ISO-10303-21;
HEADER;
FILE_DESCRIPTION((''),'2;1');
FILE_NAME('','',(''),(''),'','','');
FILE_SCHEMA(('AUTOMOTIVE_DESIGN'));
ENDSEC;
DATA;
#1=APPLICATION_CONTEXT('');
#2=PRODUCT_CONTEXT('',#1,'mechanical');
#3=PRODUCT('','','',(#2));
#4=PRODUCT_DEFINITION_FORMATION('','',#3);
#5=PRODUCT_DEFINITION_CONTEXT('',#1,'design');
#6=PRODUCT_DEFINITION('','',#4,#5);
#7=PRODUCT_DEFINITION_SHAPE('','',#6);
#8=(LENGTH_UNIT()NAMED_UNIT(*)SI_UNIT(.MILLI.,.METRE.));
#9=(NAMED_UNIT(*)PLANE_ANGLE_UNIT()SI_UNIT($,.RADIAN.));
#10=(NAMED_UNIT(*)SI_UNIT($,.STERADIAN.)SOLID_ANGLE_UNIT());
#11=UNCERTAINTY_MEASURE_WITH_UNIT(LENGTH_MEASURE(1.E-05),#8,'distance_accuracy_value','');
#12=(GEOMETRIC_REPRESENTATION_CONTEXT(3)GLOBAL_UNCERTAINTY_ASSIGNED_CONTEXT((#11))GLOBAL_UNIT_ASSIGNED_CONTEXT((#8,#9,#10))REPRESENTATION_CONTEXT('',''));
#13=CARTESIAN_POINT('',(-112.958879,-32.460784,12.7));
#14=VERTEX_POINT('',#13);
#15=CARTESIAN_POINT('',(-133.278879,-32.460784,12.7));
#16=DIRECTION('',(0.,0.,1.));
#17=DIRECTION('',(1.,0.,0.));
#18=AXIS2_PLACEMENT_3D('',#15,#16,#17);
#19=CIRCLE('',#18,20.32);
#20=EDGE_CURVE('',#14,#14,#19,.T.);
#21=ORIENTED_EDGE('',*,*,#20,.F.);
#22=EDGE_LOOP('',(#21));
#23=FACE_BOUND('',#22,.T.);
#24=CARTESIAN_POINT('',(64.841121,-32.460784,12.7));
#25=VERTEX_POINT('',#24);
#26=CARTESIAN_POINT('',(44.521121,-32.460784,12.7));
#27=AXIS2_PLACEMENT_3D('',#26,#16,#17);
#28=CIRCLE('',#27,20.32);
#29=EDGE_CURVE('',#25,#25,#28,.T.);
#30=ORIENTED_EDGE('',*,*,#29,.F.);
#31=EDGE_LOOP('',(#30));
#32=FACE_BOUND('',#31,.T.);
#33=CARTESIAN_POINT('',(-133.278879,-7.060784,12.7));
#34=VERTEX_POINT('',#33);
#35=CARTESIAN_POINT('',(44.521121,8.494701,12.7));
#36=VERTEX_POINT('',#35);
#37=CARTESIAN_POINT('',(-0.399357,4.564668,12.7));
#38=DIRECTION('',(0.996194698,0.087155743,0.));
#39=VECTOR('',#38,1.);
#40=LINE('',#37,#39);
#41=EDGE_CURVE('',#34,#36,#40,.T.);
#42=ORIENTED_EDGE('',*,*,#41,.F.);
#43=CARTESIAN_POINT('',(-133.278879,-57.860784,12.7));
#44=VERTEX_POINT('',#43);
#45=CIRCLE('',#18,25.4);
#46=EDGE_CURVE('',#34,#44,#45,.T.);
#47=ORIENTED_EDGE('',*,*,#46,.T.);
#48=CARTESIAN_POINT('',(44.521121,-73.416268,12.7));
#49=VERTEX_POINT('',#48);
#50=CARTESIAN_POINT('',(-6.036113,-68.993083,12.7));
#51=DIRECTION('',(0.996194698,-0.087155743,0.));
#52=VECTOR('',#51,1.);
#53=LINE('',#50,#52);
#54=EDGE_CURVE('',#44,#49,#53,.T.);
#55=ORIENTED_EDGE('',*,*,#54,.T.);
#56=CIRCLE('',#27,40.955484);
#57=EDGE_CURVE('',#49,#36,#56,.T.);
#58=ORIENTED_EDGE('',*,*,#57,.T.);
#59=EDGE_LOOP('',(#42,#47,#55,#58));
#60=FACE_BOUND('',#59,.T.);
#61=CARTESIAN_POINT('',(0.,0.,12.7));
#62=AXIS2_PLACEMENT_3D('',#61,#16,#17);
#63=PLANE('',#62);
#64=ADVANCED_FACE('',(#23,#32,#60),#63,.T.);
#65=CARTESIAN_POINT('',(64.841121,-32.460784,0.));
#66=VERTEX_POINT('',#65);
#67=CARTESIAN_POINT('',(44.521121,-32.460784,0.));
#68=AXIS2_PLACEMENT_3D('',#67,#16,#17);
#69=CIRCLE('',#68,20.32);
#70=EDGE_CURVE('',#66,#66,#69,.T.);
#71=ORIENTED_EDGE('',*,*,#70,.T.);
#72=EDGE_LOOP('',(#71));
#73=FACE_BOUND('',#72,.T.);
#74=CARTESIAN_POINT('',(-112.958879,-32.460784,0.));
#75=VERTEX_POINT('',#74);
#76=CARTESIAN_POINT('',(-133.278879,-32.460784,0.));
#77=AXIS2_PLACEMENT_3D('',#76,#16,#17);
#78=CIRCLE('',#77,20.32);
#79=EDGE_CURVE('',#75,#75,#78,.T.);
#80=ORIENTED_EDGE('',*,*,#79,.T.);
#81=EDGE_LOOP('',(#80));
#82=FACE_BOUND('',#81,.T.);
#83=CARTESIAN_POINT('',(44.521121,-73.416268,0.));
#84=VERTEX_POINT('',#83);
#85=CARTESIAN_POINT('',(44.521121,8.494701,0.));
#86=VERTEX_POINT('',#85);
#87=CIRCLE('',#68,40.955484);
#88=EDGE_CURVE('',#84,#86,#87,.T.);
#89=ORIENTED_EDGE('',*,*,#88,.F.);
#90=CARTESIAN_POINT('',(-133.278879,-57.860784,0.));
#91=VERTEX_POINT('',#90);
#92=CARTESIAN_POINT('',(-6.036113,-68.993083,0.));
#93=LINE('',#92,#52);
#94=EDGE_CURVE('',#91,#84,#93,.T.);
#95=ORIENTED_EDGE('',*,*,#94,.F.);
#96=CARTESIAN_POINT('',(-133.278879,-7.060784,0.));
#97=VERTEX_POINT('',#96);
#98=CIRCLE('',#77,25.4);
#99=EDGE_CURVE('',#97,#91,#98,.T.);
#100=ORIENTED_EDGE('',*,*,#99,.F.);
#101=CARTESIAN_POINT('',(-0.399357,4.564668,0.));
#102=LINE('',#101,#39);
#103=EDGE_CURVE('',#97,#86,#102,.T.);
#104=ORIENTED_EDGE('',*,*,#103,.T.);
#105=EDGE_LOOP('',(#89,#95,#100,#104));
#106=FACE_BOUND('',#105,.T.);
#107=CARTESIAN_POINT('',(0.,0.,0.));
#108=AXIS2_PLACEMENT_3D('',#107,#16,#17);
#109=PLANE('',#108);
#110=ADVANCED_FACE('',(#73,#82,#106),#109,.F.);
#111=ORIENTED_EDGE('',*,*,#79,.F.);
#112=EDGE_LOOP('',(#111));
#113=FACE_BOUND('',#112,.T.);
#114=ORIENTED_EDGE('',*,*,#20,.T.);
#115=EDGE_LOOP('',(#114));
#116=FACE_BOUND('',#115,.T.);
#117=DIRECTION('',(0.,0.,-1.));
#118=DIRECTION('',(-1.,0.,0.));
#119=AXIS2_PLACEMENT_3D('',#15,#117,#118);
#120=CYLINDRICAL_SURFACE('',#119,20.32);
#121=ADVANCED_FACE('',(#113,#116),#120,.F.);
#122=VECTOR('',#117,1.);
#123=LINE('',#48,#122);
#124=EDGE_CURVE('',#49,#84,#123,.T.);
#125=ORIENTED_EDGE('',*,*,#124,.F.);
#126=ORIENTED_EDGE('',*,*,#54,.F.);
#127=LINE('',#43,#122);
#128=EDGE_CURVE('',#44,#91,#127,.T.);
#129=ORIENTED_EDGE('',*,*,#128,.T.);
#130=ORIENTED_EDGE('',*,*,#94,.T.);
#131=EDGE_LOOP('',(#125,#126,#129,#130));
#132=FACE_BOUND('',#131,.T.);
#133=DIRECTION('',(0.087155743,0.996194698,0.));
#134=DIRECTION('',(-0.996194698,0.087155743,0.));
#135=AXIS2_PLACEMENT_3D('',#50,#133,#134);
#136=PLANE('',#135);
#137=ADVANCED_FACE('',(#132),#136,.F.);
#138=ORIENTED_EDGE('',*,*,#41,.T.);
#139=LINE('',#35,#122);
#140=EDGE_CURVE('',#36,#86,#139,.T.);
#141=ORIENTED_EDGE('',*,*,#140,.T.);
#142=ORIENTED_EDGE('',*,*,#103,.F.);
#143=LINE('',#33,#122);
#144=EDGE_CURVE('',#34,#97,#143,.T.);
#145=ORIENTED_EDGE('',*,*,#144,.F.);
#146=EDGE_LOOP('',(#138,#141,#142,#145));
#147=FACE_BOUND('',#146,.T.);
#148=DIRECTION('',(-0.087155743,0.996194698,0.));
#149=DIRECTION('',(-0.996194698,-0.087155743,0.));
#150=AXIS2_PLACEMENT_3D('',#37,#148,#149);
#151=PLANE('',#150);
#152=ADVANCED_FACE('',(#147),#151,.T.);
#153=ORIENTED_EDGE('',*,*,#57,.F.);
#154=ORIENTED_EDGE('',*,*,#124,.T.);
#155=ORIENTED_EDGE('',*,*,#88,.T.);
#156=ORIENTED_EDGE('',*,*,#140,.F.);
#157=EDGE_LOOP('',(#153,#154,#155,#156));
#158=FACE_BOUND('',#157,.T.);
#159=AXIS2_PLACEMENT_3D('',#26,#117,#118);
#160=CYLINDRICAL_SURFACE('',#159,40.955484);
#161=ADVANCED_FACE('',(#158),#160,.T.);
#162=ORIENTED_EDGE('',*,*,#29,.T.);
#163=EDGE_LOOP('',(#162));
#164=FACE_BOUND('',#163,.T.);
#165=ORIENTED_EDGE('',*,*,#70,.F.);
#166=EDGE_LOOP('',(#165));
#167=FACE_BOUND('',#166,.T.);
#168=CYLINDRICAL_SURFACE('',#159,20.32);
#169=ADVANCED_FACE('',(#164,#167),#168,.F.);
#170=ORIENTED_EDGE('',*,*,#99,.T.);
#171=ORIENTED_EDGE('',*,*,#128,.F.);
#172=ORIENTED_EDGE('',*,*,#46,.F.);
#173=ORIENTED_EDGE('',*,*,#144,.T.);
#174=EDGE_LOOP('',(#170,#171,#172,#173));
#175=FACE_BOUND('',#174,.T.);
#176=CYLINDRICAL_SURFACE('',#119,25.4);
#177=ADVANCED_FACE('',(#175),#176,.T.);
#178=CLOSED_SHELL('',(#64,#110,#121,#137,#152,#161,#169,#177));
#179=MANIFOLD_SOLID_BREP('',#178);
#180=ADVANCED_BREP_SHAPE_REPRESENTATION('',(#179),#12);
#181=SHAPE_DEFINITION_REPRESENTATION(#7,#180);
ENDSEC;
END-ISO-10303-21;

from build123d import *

# Parameters (mm, degrees)
SKETCH1_R           = 20.32
BOSS_EXTRUDE1_DEPTH = 12.7


with BuildPart() as part:
    # Sketch1 → Boss-Extrude1 (new body)
    with BuildSketch(Plane.XY):
        with BuildLine():
            Line((37.409275597, 7.872494736), (-133.278879175, -7.060783805))
            ThreePointArc((-133.278879175, -7.060783805), (-158.678879175, -32.460783805), (-133.278879175, -57.860783805))
            Line((-133.278879175, -57.860783805), (37.409275597, -72.794062346))
            Line((37.409275597, -72.794062346), (44.521120825, -73.41626818))
            ThreePointArc((44.521120825, -73.41626818), (85.476605199, -32.460783805), (44.521120825, 8.49470057))
            Line((44.521120825, 8.49470057), (37.409275597, 7.872494736))
        make_face()
        with Locations((-133.278879175, -32.460783805)):
            Circle(SKETCH1_R, mode=Mode.SUBTRACT)
        with Locations((44.521120825, -32.460783805)):
            Circle(SKETCH1_R, mode=Mode.SUBTRACT)
    extrude(amount=BOSS_EXTRUDE1_DEPTH)


solid = part.part
